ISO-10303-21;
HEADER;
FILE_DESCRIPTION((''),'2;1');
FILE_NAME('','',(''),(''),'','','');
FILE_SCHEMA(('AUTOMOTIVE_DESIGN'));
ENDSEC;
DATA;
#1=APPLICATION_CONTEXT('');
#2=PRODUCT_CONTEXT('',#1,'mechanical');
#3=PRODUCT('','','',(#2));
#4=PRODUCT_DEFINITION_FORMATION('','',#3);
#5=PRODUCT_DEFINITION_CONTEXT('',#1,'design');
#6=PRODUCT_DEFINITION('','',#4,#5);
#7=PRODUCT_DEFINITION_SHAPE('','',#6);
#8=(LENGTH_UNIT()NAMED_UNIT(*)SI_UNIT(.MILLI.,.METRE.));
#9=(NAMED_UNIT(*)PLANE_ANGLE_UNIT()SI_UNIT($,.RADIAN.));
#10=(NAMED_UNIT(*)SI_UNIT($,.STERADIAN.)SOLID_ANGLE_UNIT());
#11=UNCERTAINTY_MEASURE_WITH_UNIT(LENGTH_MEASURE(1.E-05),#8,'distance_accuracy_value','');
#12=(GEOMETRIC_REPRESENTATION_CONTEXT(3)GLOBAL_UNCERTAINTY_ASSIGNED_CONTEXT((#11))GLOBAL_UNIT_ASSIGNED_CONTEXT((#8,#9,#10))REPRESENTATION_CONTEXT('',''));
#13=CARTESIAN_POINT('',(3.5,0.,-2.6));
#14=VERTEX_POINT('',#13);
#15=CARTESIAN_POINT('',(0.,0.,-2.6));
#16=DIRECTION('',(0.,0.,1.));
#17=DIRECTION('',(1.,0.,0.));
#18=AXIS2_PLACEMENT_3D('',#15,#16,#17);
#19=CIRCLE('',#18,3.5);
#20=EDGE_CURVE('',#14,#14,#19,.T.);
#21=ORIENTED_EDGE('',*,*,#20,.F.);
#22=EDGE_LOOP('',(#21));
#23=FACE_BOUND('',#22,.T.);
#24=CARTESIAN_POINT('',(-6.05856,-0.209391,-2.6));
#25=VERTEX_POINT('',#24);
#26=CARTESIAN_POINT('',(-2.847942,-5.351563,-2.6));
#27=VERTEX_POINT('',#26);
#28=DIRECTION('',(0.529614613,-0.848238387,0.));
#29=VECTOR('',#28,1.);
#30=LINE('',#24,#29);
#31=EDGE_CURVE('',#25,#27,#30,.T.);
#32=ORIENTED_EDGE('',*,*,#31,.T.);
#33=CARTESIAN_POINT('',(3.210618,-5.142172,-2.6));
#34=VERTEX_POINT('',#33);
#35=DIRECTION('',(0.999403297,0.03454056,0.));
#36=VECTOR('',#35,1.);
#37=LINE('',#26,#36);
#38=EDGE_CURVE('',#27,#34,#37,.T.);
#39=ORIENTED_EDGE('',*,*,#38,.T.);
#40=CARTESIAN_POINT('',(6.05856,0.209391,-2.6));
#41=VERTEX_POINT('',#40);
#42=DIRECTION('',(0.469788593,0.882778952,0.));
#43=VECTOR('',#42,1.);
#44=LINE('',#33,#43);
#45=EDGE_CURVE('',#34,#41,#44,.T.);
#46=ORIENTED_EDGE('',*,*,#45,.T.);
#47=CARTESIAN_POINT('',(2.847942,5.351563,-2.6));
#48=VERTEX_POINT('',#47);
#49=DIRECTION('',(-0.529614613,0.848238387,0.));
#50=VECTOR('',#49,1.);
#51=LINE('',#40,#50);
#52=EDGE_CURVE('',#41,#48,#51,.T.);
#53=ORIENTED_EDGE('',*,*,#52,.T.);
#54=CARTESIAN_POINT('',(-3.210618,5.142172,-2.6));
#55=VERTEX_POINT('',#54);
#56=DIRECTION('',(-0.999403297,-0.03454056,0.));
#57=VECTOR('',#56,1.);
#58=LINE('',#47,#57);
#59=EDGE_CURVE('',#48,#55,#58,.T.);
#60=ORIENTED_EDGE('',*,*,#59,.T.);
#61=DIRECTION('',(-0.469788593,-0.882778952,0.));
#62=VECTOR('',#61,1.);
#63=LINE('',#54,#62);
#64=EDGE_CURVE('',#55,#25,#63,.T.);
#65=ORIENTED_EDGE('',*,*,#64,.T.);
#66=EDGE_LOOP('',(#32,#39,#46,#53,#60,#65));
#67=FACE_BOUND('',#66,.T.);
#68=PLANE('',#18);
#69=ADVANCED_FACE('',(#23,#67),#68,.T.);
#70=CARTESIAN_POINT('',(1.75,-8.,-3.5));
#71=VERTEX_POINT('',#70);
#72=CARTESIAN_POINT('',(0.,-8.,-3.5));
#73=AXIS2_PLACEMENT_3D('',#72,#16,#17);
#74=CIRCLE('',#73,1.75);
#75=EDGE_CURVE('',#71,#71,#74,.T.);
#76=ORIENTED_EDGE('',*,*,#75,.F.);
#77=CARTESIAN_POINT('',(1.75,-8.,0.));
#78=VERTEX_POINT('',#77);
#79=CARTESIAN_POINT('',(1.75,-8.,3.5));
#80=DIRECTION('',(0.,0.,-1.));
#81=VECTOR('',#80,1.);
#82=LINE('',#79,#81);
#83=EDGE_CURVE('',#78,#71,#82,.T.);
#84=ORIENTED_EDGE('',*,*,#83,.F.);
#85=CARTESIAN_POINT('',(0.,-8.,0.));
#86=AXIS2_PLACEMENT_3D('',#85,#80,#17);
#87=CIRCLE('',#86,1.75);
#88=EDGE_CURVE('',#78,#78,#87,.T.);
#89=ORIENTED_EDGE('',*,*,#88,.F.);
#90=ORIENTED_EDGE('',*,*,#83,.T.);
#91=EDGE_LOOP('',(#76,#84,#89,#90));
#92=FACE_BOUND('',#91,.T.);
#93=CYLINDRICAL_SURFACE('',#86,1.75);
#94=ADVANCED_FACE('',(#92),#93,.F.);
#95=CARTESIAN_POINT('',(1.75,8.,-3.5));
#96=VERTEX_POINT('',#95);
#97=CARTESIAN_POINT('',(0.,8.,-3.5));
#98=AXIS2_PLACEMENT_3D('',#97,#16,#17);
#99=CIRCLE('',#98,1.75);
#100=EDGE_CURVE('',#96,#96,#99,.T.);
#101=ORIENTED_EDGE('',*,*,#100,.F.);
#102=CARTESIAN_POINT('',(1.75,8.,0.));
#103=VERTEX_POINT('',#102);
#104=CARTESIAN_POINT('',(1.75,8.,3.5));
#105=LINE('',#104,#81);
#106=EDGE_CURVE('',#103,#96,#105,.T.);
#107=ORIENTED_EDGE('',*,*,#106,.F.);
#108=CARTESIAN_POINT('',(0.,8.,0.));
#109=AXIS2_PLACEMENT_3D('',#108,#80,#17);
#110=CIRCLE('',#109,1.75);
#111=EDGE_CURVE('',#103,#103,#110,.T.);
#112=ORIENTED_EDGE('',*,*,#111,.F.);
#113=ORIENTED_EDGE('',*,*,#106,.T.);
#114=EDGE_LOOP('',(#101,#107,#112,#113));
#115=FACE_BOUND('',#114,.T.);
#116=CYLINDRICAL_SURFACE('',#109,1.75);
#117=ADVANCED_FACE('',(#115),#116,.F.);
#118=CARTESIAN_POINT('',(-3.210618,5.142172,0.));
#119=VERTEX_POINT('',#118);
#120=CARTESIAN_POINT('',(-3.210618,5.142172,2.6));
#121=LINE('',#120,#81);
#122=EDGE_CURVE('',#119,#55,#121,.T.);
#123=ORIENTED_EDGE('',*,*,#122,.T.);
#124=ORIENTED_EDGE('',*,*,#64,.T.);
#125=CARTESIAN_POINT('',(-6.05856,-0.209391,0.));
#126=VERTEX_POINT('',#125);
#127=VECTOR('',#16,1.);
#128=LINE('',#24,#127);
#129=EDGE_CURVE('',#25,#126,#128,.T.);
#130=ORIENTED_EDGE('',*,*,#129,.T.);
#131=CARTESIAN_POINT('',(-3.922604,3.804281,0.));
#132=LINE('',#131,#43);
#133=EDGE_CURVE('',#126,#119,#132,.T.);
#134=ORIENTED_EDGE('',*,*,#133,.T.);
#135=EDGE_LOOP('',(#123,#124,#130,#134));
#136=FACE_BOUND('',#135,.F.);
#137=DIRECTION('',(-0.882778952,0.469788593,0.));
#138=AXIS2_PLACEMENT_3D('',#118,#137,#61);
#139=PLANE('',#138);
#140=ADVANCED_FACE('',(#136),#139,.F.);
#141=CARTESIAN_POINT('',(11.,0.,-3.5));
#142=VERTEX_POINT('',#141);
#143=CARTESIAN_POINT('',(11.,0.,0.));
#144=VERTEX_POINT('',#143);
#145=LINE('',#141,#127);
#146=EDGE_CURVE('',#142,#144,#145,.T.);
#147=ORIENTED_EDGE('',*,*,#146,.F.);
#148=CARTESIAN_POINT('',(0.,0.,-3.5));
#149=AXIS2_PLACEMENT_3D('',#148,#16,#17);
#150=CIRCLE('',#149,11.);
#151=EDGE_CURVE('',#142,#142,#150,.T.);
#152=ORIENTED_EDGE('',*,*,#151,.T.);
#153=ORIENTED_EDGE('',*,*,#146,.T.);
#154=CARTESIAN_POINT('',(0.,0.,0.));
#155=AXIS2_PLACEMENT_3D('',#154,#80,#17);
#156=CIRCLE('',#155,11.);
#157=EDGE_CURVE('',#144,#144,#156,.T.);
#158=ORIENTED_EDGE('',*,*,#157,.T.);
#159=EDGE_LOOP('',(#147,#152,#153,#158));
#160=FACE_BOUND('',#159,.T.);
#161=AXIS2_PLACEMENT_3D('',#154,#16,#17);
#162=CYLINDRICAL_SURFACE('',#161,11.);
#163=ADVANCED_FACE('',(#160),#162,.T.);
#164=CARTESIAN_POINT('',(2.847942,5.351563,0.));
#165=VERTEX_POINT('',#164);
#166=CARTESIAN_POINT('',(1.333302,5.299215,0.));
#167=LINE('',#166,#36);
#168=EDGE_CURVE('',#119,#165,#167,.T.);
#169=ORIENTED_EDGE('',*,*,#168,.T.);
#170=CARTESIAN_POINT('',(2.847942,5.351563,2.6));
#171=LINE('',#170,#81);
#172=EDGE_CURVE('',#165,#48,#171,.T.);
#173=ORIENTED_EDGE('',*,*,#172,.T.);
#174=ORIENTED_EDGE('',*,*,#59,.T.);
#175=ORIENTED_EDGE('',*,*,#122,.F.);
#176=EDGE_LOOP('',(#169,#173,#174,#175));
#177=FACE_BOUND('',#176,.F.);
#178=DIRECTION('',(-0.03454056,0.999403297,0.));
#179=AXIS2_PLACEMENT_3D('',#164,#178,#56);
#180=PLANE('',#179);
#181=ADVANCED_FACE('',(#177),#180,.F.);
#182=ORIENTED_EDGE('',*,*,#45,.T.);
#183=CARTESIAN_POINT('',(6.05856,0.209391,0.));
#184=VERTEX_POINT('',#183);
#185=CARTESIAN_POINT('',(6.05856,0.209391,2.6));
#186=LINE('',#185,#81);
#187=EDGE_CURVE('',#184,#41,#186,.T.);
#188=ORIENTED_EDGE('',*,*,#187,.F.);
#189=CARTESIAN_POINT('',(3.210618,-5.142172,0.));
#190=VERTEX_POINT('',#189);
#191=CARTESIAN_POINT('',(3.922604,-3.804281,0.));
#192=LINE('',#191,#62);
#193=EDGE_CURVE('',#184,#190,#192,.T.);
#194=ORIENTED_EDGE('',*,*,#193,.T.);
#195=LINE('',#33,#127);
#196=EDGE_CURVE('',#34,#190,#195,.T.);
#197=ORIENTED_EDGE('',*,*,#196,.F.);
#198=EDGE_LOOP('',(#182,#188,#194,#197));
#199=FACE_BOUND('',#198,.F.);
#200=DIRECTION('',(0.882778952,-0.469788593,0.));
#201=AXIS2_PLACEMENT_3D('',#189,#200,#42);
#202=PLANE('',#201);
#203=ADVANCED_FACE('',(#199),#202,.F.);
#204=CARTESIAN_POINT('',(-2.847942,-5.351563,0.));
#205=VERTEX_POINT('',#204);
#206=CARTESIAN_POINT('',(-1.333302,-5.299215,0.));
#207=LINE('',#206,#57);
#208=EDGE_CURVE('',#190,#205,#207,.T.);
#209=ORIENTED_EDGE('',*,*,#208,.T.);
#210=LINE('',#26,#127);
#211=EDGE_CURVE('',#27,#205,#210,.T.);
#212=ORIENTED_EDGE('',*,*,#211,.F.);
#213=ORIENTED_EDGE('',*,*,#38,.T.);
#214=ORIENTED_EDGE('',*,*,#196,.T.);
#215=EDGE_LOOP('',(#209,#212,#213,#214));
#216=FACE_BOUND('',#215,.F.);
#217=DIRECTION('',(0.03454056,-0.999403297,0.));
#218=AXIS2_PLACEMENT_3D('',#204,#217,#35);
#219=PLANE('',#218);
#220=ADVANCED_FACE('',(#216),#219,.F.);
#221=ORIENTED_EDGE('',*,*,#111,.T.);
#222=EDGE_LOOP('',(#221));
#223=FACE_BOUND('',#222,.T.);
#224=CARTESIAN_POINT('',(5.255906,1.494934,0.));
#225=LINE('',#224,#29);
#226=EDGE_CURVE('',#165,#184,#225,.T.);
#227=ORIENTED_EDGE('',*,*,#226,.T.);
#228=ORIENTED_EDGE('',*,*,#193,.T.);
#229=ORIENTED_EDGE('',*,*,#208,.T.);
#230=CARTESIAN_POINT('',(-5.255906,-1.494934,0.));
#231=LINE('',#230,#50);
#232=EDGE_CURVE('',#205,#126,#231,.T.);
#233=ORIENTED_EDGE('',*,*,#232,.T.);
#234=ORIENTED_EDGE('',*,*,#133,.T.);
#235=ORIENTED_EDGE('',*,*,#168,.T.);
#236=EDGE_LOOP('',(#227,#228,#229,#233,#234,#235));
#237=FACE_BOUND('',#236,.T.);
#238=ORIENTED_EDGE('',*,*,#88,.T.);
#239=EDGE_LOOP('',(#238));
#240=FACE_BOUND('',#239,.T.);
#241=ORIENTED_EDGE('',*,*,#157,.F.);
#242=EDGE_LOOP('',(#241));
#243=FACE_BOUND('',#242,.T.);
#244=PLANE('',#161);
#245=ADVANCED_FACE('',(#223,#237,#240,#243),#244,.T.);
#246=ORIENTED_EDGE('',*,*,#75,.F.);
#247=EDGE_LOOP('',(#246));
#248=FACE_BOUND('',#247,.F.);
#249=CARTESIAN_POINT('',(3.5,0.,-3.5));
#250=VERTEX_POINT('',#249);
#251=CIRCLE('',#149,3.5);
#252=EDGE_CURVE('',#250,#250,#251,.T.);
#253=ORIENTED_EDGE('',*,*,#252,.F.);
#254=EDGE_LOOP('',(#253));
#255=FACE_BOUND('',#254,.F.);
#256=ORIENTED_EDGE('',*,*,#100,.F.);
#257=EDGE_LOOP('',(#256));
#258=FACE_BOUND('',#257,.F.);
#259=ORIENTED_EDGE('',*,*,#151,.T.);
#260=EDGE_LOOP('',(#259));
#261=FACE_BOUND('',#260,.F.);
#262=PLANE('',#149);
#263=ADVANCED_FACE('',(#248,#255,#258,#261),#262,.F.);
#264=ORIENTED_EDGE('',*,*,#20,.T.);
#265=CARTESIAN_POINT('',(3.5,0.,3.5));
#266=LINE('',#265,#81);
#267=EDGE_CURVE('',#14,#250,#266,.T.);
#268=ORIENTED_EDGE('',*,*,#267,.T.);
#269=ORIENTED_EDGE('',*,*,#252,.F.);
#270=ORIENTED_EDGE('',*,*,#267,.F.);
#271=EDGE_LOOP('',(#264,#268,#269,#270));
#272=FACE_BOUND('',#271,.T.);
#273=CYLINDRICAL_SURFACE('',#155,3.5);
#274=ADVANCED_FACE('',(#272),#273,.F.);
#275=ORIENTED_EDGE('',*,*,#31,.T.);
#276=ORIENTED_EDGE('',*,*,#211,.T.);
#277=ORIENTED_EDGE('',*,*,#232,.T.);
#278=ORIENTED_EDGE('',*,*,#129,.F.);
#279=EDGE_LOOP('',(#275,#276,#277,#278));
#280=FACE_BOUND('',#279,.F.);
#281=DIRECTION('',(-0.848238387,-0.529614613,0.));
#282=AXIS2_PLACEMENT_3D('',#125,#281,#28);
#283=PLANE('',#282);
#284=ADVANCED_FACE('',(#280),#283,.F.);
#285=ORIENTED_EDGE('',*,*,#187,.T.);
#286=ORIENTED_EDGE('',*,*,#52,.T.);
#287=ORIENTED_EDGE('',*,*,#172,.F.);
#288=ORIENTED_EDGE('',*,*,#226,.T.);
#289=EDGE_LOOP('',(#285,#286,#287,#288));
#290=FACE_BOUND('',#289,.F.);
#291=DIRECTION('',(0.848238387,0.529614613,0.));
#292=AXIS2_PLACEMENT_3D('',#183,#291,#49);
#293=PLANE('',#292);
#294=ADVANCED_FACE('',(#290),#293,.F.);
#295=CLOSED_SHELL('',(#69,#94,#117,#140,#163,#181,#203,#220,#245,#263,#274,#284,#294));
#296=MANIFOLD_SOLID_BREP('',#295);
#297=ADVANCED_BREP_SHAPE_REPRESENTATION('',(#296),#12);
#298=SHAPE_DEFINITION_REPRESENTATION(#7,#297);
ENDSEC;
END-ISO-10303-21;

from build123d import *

# Parameters (mm, degrees)
F0_R     = 11
F0_R_2   = 1.75
F0_R_3   = 3.5
F1_DEPTH = 3.5
F2_DEPTH = 2.6
F3_W     = 22
F3_H     = 22
F4_DEPTH = 25


with BuildPart() as f1:
    # F0 (on Top) → F1 (new body, symmetric)
    with BuildSketch(Plane.XY):
        Circle(F0_R)
        with Locations((0, -8)):
            Circle(F0_R_2, mode=Mode.SUBTRACT)
        Polygon((-2.847942, -5.351563), (-6.05856, -0.209391), (-3.210618, 5.142172), (2.847942, 5.351563), (6.05856, 0.209391), (3.210618, -5.142172), align=None, mode=Mode.SUBTRACT)
        with Locations((0, 8)):
            Circle(F0_R_2, mode=Mode.SUBTRACT)
        Polygon((-3.210618, 5.142172), (-6.05856, -0.209391), (-2.847942, -5.351563), (3.210618, -5.142172), (6.05856, 0.209391), (2.847942, 5.351563), align=None)
        Circle(F0_R_3, mode=Mode.SUBTRACT)
    extrude(amount=F1_DEPTH, both=True)

    # F0 (on Top) → F2 (cut, symmetric)
    with BuildSketch(Plane.XY):
        Polygon((-3.210618, 5.142172), (-6.05856, -0.209391), (-2.847942, -5.351563), (3.210618, -5.142172), (6.05856, 0.209391), (2.847942, 5.351563), align=None)
        Circle(F0_R_3, mode=Mode.SUBTRACT)
    extrude(amount=F2_DEPTH, both=True, mode=Mode.SUBTRACT)

    # F3 (on Top) → F4 (cut)
    with BuildSketch(Plane.XY):
        Rectangle(F3_W, F3_H)
    extrude(amount=F4_DEPTH, mode=Mode.SUBTRACT)


solid = f1.part
